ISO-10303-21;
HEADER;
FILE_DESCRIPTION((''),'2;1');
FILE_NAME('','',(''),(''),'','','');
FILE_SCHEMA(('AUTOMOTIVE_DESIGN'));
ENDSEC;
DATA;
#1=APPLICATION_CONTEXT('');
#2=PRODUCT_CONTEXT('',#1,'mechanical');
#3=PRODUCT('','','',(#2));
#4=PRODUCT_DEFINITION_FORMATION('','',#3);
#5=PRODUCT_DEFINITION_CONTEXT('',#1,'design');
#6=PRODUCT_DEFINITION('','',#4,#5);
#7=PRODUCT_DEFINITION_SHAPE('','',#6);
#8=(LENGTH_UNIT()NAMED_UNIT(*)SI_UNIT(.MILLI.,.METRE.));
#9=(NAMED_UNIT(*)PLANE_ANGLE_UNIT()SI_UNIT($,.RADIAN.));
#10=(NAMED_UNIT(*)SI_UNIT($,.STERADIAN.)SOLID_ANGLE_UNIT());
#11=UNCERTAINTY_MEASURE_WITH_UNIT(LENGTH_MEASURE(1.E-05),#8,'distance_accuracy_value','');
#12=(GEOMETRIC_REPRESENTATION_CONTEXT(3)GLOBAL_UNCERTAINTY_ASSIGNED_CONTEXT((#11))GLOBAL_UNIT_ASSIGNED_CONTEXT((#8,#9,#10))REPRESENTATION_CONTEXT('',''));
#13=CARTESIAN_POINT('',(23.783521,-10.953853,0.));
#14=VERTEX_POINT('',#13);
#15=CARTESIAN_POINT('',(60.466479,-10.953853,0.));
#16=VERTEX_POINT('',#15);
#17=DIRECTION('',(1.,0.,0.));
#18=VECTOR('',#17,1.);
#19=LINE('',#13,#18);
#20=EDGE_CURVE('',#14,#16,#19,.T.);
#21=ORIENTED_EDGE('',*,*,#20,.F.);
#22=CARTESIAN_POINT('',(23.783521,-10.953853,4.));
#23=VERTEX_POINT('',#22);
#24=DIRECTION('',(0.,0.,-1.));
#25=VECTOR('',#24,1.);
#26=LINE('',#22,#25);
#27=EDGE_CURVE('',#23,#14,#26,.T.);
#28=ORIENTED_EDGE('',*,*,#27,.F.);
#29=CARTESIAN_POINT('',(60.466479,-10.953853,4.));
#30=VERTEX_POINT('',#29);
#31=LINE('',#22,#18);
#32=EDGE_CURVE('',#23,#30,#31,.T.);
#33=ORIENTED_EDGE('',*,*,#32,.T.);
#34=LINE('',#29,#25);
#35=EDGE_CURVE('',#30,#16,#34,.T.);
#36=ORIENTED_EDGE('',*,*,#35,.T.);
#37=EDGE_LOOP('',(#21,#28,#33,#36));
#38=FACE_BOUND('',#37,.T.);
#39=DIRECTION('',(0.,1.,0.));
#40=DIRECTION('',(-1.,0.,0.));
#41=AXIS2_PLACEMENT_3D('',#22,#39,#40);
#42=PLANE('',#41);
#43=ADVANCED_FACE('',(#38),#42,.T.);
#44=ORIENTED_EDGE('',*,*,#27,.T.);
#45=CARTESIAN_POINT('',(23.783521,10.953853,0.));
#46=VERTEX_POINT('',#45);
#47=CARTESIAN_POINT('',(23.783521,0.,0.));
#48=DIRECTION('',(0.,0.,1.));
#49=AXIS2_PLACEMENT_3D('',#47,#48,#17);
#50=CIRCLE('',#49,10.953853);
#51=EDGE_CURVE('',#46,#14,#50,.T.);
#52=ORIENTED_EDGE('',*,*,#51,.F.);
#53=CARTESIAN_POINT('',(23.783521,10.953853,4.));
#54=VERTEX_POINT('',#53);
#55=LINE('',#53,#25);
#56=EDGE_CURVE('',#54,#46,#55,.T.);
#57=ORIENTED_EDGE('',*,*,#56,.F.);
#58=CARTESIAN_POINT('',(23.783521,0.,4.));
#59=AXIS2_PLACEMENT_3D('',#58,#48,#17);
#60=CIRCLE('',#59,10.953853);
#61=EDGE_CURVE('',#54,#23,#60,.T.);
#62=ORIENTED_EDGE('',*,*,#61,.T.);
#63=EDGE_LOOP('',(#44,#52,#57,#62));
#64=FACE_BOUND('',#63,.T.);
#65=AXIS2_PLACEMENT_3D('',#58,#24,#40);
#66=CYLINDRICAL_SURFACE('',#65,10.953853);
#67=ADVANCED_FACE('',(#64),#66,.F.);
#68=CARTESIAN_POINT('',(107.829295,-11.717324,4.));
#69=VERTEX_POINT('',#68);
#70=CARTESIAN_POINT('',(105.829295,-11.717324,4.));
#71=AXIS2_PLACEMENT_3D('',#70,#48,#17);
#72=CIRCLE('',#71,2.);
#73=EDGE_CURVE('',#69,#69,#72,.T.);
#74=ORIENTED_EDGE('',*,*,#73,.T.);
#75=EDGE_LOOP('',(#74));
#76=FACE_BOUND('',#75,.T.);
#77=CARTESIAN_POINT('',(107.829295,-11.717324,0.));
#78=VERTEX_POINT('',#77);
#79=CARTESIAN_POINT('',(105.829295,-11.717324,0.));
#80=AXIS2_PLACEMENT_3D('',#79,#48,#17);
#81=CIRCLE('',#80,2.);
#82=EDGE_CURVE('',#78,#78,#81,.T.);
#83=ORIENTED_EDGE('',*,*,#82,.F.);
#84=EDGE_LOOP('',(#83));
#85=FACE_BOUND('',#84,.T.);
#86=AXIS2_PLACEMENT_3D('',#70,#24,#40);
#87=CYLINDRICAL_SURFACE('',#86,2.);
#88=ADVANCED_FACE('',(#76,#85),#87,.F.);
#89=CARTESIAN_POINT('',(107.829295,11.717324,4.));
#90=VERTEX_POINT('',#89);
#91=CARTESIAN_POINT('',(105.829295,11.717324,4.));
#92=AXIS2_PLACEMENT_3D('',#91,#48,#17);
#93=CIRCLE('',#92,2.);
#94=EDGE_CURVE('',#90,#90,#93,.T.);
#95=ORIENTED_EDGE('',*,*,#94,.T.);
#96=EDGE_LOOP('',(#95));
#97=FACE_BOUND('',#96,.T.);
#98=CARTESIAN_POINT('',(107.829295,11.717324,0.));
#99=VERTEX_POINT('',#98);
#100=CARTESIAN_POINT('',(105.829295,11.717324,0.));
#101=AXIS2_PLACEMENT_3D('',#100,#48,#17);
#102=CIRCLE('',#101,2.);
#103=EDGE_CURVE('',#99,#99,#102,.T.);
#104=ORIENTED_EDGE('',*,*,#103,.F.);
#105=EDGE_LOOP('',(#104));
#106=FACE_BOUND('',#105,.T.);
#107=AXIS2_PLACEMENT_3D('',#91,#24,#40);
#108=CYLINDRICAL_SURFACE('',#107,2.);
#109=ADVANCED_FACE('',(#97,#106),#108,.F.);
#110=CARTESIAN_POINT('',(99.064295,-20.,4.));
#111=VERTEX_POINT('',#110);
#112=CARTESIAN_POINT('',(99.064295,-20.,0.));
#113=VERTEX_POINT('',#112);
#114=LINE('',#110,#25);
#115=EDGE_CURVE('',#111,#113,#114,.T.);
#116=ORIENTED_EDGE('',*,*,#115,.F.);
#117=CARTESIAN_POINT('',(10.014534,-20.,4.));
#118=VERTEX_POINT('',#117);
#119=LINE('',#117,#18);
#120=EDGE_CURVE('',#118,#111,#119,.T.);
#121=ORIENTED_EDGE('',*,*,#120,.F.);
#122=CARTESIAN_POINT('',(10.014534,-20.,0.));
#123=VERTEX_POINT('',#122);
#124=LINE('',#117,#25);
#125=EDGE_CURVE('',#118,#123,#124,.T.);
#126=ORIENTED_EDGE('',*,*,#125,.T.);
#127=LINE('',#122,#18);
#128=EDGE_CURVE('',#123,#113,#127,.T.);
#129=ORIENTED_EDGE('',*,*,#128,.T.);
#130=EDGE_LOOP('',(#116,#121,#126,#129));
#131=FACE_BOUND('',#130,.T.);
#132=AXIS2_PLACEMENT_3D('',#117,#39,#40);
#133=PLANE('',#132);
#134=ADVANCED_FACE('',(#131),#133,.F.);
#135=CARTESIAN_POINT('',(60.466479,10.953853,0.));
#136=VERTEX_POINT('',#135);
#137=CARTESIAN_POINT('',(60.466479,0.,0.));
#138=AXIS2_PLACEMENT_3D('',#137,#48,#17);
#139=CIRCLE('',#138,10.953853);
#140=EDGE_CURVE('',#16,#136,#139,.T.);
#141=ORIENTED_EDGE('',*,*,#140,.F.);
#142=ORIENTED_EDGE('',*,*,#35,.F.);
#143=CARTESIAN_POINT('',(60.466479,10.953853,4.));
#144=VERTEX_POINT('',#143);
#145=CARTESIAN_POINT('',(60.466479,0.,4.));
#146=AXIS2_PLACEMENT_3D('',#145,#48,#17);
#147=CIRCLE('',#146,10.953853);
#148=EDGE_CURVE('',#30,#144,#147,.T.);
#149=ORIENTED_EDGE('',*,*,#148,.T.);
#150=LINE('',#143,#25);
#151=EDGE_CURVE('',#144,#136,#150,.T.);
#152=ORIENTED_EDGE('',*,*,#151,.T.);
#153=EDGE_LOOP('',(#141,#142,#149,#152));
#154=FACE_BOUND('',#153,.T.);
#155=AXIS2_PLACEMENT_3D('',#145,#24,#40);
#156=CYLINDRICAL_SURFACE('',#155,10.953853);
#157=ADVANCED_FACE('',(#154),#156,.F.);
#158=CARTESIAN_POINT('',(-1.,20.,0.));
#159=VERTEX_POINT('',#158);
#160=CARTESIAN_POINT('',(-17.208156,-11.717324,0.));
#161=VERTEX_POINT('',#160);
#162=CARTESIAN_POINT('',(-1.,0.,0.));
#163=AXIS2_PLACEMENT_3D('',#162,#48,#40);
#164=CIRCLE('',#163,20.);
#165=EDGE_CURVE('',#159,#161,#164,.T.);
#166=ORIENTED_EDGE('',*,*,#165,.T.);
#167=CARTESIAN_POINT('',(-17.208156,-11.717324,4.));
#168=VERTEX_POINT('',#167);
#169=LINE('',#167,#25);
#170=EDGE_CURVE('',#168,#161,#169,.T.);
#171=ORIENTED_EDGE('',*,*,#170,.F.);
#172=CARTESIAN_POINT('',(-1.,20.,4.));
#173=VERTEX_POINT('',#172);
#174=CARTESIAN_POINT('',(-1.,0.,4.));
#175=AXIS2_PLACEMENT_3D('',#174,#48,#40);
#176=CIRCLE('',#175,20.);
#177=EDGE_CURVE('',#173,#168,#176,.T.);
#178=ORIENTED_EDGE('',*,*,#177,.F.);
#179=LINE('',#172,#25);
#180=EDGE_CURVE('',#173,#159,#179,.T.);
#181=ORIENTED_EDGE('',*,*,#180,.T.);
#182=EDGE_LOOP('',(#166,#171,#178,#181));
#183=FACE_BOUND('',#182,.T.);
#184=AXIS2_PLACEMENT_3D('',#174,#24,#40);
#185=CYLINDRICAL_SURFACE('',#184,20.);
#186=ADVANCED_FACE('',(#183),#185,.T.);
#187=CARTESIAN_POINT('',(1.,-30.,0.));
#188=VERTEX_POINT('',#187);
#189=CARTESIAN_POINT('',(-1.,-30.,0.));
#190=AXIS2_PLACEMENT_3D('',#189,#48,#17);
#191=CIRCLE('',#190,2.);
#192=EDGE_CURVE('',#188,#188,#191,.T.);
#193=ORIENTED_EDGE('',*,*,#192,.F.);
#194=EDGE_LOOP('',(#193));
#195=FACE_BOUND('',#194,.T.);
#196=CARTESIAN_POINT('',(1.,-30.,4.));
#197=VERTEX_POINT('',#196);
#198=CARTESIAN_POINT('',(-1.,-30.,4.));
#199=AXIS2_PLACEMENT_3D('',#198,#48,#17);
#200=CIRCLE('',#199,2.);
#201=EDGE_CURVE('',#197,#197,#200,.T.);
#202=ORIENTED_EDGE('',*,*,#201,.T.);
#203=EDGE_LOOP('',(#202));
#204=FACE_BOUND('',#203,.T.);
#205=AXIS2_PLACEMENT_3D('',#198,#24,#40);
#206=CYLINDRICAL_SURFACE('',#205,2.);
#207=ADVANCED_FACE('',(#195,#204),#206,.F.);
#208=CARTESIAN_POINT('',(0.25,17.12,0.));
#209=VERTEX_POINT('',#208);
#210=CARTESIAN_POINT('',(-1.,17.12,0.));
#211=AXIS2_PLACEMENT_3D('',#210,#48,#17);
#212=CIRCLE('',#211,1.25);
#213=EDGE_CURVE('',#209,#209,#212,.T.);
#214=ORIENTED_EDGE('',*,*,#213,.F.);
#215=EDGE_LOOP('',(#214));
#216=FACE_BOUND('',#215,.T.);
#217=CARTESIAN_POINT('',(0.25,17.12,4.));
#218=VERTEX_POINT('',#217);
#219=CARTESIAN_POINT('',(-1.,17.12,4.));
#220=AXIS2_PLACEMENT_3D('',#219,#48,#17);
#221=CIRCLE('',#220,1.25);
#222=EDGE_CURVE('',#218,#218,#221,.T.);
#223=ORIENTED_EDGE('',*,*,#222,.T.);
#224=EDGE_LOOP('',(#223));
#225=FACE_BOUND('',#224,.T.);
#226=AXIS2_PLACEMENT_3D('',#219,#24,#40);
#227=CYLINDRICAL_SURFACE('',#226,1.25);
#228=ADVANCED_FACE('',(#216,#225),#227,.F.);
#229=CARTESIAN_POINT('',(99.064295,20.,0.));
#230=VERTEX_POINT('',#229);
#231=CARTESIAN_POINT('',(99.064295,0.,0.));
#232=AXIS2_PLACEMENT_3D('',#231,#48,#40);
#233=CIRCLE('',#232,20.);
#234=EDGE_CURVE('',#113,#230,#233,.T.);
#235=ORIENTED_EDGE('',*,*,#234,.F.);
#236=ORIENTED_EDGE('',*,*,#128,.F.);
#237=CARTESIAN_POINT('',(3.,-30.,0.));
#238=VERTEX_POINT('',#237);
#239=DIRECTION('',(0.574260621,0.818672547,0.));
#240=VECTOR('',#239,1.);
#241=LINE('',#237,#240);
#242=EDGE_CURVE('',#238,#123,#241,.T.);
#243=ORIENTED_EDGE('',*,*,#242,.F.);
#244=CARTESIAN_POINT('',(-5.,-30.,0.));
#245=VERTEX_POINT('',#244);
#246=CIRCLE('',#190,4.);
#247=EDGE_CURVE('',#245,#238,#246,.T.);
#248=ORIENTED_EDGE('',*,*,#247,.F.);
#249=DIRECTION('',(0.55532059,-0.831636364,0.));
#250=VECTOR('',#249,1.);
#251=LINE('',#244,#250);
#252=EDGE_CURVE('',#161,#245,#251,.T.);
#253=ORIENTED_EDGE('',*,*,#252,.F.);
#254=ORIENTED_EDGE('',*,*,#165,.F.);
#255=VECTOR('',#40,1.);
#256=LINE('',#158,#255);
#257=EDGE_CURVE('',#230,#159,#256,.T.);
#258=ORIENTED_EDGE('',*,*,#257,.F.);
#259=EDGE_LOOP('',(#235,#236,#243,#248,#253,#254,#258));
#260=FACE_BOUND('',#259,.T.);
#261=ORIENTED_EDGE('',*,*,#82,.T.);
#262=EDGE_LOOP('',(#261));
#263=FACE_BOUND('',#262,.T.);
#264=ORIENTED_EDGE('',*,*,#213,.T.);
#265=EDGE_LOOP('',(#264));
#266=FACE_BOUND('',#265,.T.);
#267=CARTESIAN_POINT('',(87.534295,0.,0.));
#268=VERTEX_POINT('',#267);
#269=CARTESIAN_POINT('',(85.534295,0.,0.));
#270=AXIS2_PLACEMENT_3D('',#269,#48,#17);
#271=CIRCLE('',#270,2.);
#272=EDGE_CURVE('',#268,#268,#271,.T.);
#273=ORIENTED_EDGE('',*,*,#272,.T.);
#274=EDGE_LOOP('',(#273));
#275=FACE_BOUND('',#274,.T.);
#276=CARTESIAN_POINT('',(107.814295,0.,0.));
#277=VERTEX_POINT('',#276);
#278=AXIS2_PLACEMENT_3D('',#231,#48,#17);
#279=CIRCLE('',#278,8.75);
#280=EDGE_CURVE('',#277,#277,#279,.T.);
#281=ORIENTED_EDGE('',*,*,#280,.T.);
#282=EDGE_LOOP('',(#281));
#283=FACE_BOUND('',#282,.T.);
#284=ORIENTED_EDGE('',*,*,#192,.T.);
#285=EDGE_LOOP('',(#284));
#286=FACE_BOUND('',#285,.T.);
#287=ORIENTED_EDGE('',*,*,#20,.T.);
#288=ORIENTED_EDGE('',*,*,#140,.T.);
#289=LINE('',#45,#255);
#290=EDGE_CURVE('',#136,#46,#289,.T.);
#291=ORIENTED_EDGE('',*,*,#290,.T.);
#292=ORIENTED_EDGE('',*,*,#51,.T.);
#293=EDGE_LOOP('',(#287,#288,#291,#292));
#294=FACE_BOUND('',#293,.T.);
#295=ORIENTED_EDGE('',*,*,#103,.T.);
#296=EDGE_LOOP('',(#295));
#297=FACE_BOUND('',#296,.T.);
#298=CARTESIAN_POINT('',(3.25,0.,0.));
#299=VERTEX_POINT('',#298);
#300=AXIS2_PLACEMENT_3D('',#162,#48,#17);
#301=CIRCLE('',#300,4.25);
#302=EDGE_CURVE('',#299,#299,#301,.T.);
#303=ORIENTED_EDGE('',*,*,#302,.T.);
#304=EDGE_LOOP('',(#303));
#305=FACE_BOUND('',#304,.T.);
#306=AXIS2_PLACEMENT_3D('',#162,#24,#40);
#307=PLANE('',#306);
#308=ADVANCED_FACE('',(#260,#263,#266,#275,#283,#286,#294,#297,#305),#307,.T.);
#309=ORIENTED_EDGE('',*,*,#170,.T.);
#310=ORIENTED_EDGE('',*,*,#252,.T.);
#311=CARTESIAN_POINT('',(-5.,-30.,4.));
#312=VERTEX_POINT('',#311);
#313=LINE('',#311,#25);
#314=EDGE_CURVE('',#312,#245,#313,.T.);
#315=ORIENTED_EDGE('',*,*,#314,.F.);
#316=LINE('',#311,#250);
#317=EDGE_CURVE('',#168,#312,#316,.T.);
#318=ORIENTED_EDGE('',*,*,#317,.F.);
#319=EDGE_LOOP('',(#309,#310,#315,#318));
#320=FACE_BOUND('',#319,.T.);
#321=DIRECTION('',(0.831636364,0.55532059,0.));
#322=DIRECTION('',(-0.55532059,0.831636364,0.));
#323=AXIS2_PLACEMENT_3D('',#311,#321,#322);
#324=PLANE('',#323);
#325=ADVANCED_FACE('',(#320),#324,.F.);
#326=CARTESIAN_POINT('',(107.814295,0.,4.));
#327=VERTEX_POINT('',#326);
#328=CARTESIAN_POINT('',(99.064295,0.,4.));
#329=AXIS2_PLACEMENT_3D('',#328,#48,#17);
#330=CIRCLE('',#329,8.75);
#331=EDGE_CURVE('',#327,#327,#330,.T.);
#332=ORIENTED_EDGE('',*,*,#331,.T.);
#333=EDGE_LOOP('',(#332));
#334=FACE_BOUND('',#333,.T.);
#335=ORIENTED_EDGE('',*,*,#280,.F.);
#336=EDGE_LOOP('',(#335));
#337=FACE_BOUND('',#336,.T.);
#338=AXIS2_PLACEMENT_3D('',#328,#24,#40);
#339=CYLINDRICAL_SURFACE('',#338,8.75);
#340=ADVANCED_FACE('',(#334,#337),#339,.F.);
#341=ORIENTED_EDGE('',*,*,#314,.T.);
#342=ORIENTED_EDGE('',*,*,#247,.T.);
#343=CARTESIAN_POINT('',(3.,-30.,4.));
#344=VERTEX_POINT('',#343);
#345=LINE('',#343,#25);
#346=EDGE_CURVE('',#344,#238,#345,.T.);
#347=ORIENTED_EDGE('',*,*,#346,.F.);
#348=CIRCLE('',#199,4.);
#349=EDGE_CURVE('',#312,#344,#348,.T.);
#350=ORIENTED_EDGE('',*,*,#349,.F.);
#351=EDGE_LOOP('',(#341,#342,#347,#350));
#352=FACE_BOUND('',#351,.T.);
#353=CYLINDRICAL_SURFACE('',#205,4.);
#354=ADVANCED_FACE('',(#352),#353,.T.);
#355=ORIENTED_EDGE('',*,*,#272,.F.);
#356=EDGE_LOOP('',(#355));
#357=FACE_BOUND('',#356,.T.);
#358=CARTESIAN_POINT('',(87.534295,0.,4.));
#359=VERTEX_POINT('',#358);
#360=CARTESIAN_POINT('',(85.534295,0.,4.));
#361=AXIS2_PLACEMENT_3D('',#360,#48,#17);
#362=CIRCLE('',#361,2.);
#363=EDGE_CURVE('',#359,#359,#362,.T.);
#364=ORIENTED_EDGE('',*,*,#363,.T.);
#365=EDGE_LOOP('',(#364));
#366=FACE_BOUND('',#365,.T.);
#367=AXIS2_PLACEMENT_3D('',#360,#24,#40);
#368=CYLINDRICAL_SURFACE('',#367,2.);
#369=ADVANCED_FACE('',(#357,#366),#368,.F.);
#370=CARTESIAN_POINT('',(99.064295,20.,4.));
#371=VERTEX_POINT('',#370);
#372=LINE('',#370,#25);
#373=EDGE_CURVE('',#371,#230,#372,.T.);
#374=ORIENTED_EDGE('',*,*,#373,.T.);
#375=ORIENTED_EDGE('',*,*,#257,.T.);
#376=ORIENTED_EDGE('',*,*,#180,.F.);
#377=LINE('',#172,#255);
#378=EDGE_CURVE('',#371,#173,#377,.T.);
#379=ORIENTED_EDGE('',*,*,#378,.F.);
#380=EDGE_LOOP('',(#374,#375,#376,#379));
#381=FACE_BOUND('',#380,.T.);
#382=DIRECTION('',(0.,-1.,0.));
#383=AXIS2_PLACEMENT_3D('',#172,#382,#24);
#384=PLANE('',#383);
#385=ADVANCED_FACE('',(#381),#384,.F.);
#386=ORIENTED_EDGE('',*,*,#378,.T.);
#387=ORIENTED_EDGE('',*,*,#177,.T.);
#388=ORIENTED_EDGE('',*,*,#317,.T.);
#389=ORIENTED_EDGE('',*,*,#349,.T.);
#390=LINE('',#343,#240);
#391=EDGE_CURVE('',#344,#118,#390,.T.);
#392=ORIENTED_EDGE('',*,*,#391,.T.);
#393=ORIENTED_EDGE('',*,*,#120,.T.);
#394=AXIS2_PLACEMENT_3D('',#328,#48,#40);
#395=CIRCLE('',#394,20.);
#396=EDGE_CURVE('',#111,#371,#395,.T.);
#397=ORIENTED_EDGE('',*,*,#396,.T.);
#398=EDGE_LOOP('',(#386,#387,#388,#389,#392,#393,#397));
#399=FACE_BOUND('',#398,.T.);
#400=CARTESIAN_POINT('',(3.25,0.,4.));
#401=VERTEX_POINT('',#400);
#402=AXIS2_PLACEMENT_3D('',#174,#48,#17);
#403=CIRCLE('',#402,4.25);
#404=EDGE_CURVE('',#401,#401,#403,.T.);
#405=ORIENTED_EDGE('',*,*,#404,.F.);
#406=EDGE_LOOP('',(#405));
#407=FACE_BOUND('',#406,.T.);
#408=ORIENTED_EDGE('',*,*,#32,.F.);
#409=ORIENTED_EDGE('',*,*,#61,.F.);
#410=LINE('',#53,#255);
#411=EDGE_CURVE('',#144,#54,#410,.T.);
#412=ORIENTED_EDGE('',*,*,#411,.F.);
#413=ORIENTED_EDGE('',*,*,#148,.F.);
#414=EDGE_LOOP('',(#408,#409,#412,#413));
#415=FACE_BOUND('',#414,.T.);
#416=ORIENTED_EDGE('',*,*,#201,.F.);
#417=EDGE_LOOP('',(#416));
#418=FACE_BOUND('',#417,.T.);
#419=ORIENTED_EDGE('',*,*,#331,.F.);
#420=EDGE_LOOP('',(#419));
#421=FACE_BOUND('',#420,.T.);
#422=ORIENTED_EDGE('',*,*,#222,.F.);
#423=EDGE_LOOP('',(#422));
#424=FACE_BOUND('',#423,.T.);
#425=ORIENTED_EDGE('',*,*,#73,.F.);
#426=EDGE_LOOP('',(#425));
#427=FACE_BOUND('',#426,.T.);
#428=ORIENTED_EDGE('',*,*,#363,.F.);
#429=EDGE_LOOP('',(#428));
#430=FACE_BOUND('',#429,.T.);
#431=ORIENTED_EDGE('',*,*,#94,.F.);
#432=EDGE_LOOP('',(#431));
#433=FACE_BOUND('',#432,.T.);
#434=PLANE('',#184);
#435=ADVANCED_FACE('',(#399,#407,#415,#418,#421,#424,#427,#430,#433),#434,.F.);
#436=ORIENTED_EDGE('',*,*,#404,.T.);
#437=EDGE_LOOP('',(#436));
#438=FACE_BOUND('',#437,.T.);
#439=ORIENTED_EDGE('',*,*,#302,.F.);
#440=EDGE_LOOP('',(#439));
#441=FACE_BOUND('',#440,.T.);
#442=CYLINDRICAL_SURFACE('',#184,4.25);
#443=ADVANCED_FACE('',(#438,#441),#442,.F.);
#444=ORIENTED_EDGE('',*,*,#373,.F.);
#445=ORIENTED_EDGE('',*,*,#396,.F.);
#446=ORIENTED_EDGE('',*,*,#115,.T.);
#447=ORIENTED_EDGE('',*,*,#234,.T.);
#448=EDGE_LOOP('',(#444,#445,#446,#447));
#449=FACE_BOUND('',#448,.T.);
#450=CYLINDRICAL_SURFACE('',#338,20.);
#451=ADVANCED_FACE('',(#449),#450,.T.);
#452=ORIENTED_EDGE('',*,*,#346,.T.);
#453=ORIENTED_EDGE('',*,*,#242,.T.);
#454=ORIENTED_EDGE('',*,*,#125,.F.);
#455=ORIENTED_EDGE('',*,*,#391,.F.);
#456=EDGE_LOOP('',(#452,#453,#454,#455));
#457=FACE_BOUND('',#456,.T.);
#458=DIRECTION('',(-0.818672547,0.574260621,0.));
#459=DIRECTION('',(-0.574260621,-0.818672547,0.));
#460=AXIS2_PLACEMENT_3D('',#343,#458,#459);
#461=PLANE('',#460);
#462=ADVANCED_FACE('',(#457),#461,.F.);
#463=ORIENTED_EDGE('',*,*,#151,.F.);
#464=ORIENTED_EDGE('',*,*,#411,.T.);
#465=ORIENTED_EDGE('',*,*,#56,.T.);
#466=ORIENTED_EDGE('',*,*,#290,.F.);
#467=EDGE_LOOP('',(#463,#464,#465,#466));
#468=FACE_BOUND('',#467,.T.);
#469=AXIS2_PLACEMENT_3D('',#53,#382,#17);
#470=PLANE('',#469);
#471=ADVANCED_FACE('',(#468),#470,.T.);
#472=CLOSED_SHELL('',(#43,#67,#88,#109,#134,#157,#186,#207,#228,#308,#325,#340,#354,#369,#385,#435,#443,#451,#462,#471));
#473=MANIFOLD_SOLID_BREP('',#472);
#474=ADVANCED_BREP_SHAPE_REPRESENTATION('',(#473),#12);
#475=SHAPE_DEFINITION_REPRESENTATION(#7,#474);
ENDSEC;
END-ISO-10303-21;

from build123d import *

# Parameters (mm, degrees)
SKETCH_1_R      = 4.25
SKETCH_1_R_2    = 8.75
SKETCH_1_R_3    = 2
SKETCH_1_R_4    = 1.25
EXTRUDE_1_DEPTH = 4


with BuildPart() as part:
    # 草图1 → 凸台-拉伸1 (new body)
    with BuildSketch(Plane.XY):
        with BuildLine():
            Line((-1, 20), (99.064295006, 20))
            ThreePointArc((99.064295006, 20), (119.064295006, 0), (99.064295006, -20))
            Line((99.064295006, -20), (10.014533743, -20))
            Line((10.014533743, -20), (3, -30))
            ThreePointArc((3, -30), (-1, -34), (-5, -30))
            Line((-5, -30), (-17.208156126, -11.717323713))
            ThreePointArc((-17.208156126, -11.717323713), (-18.809358134, 9.10092099), (-1, 20))
        make_face()
        with Locations((-1, 0)):
            Circle(SKETCH_1_R, mode=Mode.SUBTRACT)
        with Locations((99.064295006, 0)):
            Circle(SKETCH_1_R_2, mode=Mode.SUBTRACT)
        with Locations((85.534295006, 0)):
            Circle(SKETCH_1_R_3, mode=Mode.SUBTRACT)
        with Locations((105.829295006, 11.717323713)):
            Circle(SKETCH_1_R_3, mode=Mode.SUBTRACT)
        with Locations((105.829295006, -11.717323713)):
            Circle(SKETCH_1_R_3, mode=Mode.SUBTRACT)
        with Locations((-1, -30)):
            Circle(SKETCH_1_R_3, mode=Mode.SUBTRACT)
        with Locations((-1, 17.12)):
            Circle(SKETCH_1_R_4, mode=Mode.SUBTRACT)
        with BuildLine():
            Line((23.78352134, 10.95385289), (60.46647866, 10.95385289))
            ThreePointArc((60.46647866, 10.95385289), (71.420331549, 0), (60.46647866, -10.95385289))
            Line((60.46647866, -10.95385289), (23.78352134, -10.95385289))
            ThreePointArc((23.78352134, -10.95385289), (12.829668451, 0), (23.78352134, 10.95385289))
        make_face(mode=Mode.SUBTRACT)
    extrude(amount=EXTRUDE_1_DEPTH)


solid = part.part
